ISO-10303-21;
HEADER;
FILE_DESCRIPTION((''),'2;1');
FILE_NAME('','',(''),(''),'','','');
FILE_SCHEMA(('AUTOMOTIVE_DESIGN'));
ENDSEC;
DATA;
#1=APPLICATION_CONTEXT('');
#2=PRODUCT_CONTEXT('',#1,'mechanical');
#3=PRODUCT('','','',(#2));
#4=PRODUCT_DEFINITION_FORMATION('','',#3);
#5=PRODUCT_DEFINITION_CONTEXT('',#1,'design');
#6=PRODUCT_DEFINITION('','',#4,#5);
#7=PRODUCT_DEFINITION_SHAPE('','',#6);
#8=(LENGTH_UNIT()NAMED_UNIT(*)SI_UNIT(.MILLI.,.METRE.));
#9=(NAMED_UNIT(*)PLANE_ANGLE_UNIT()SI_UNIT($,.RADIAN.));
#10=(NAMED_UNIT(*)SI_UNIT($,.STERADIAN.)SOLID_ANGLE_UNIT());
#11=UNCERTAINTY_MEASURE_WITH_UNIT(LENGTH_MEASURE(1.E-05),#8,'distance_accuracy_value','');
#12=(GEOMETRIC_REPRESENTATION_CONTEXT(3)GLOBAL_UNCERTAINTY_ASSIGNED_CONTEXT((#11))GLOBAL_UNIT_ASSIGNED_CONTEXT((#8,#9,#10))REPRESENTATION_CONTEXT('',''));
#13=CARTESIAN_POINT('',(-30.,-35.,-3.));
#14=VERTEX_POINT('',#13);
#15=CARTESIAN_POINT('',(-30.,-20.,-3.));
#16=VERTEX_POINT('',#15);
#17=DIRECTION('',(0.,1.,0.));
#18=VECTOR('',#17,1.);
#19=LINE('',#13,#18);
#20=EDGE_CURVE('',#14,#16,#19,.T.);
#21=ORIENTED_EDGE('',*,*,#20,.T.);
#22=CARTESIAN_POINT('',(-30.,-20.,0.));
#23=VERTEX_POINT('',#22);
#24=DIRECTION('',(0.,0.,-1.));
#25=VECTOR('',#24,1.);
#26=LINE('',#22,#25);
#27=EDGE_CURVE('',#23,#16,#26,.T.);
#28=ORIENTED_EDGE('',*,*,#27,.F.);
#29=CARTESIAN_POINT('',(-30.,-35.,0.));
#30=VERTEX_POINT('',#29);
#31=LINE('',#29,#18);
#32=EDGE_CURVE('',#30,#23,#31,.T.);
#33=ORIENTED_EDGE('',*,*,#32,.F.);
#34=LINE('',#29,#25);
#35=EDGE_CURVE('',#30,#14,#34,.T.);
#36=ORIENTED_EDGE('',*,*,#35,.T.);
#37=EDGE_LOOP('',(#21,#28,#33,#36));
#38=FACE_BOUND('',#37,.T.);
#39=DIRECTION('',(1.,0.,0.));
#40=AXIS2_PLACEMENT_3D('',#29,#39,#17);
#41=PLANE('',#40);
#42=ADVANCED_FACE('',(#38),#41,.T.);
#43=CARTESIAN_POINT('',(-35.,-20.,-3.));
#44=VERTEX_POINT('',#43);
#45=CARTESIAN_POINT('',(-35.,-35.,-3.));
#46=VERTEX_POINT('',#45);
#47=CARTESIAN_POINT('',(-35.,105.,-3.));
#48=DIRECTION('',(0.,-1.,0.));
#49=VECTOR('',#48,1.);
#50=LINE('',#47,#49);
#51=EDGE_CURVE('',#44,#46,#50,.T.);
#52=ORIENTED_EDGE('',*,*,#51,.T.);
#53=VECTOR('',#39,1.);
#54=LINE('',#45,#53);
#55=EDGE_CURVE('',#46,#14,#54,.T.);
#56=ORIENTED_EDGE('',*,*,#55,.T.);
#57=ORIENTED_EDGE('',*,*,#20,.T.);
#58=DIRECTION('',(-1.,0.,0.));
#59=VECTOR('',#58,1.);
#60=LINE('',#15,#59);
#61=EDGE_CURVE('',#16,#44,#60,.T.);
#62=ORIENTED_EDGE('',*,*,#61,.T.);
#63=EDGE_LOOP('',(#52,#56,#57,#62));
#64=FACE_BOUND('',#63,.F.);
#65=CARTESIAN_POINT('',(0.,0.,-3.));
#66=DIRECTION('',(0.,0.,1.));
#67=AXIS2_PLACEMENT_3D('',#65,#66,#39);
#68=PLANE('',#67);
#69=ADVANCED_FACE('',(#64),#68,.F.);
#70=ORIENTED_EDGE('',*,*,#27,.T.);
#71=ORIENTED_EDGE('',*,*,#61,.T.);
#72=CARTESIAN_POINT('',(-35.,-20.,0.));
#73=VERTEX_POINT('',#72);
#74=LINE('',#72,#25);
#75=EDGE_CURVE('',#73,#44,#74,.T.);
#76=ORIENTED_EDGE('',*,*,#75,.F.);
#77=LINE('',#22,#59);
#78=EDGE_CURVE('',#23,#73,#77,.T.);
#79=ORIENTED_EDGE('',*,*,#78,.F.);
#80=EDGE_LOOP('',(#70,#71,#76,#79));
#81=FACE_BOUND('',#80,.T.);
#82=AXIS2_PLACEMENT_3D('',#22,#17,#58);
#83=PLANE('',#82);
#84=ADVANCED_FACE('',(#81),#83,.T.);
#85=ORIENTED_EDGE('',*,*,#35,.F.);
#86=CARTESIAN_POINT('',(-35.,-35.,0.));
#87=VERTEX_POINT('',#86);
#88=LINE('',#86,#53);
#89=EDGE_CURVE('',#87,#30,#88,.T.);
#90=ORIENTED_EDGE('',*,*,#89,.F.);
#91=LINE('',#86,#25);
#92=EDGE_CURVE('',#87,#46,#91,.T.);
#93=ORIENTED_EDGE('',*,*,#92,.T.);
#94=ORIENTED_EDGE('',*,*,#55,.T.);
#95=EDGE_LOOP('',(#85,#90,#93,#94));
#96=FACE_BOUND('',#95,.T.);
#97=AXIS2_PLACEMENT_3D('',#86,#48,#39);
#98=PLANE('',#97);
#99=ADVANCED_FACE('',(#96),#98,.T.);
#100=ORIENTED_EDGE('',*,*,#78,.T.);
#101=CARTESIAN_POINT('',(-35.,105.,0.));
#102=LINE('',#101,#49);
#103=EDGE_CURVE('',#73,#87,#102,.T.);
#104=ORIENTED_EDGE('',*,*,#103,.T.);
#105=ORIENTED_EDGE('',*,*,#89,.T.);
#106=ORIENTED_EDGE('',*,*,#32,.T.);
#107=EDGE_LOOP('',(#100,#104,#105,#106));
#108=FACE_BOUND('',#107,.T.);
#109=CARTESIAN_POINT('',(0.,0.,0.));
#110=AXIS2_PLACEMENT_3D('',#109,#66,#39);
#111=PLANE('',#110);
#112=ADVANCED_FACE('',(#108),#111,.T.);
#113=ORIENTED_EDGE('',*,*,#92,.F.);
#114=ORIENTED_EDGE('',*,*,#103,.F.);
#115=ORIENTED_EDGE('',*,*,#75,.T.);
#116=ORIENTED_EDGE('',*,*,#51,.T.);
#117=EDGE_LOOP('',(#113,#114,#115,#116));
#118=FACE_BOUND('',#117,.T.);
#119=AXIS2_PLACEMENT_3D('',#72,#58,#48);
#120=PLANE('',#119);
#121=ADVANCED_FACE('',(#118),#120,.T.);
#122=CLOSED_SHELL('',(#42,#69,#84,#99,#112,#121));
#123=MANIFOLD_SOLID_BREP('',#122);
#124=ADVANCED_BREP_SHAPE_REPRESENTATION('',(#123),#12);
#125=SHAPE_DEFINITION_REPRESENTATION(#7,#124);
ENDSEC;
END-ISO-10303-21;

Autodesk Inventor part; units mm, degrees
ref_plane "YZ Plane" through (0, 0, 0) normal (1, 0, 0) x (0, 1, 0)
ref_plane "XZ Plane" through (0, 0, 0) normal (0, 1, 0) x (-1, 0, 0)
sketch "Sketch1" plane through (0, 0, 0) normal (0, 0, 1) x (1, 0, 0)
  line L0 (-11.5, -30) -> (-11.5, 20) projected
  line L1 (-11.5, 20) -> (-28.5, 20) projected
  line L2 (-28.5, 20) -> (-28.5, -30) projected
  line L3 (-28.5, -30) -> (-11.5, -30) projected
  line L4 (-8.5, 20) -> (-8.5, -30) projected
  line L5 (-8.5, -30) -> (8.5, -30) projected
  line L6 (8.5, -30) -> (8.5, 20) projected
  line L7 (8.5, 20) -> (-8.5, 20) projected
  line L8 (11.5, 20) -> (11.5, -30) projected
  line L9 (11.5, -30) -> (28.5, -30) projected
  line L10 (28.5, -30) -> (28.5, 20) projected
  line L11 (28.5, 20) -> (11.5, 20) projected
  circle A0 centre (0, 0) radius 8.5 projected
  line L12 (-31, 43.5) -> (-32.5, 43.5) projected
  line L13 (-32.5, 43.5) -> (-32.5, 96.5) projected
  line L14 (-32.5, 96.5) -> (-31, 96.5) projected
  line L15 (-31, 96.5) -> (-31, 43.5) projected
  line L16 (4, 96.5) -> (4, 43.5) projected
  line L17 (4, 43.5) -> (2.5, 43.5) projected
  line L18 (2.5, 43.5) -> (2.5, 96.5) projected
  line L19 (2.5, 96.5) -> (4, 96.5) projected
  line L20 (31, 43.5) -> (31, 96.5) projected
  line L21 (31, 96.5) -> (32.5, 96.5) projected
  line L22 (32.5, 96.5) -> (32.5, 43.5) projected
  line L23 (32.5, 43.5) -> (31, 43.5) projected
  line L24 (-4, 96.5) -> (-2.5, 96.5) projected
  line L25 (-2.5, 96.5) -> (-2.5, 43.5) projected
  line L26 (-2.5, 43.5) -> (-4, 43.5) projected
  line L27 (-4, 43.5) -> (-4, 96.5) projected
  line L28 (-35, 105) -> (-35, -35) projected
  line L29 (-35, -35) -> (35, -35) projected
  line L30 (35, -35) -> (35, 105) projected
  line L31 (35, 105) -> (-35, 105) projected
  line L32 (35, -35) -> (35, -20)
  line L33 (-35, -20) -> (-35, -35)
  line L34 (-35, -35) -> (-30, -35)
  line L35 (-30, -35) -> (-30, -20)
  line L36 (-30, -20) -> (-35, -20)
  line L37 (-35, -20) -> (-35, -35)
  line L38 (35, -35) -> (30, -35)
  line L39 (30, -35) -> (30, -20)
  line L40 (30, -20) -> (35, -20)
  line L41 (35, -20) -> (35, -35)
  line L42 (-35, -35) -> (-30, -35)
  line L43 (30, -35) -> (35, -35)
  point P0 (0, 0)
  dimension "d1" = 5
  dimension "d2" = 15
  dimension "d3" = 5
  dimension "d4" = 15
ref_plane "Work Plane1" through (-35.7285, -35.3642, -3) normal (0, 0, -1) x (0, 1, 0)
extrude "Extrusion1" add sketch "Sketch1" against normal up to surface (3 mm away) contours L36 L35 L29 L28
properties part number "base2_2"
